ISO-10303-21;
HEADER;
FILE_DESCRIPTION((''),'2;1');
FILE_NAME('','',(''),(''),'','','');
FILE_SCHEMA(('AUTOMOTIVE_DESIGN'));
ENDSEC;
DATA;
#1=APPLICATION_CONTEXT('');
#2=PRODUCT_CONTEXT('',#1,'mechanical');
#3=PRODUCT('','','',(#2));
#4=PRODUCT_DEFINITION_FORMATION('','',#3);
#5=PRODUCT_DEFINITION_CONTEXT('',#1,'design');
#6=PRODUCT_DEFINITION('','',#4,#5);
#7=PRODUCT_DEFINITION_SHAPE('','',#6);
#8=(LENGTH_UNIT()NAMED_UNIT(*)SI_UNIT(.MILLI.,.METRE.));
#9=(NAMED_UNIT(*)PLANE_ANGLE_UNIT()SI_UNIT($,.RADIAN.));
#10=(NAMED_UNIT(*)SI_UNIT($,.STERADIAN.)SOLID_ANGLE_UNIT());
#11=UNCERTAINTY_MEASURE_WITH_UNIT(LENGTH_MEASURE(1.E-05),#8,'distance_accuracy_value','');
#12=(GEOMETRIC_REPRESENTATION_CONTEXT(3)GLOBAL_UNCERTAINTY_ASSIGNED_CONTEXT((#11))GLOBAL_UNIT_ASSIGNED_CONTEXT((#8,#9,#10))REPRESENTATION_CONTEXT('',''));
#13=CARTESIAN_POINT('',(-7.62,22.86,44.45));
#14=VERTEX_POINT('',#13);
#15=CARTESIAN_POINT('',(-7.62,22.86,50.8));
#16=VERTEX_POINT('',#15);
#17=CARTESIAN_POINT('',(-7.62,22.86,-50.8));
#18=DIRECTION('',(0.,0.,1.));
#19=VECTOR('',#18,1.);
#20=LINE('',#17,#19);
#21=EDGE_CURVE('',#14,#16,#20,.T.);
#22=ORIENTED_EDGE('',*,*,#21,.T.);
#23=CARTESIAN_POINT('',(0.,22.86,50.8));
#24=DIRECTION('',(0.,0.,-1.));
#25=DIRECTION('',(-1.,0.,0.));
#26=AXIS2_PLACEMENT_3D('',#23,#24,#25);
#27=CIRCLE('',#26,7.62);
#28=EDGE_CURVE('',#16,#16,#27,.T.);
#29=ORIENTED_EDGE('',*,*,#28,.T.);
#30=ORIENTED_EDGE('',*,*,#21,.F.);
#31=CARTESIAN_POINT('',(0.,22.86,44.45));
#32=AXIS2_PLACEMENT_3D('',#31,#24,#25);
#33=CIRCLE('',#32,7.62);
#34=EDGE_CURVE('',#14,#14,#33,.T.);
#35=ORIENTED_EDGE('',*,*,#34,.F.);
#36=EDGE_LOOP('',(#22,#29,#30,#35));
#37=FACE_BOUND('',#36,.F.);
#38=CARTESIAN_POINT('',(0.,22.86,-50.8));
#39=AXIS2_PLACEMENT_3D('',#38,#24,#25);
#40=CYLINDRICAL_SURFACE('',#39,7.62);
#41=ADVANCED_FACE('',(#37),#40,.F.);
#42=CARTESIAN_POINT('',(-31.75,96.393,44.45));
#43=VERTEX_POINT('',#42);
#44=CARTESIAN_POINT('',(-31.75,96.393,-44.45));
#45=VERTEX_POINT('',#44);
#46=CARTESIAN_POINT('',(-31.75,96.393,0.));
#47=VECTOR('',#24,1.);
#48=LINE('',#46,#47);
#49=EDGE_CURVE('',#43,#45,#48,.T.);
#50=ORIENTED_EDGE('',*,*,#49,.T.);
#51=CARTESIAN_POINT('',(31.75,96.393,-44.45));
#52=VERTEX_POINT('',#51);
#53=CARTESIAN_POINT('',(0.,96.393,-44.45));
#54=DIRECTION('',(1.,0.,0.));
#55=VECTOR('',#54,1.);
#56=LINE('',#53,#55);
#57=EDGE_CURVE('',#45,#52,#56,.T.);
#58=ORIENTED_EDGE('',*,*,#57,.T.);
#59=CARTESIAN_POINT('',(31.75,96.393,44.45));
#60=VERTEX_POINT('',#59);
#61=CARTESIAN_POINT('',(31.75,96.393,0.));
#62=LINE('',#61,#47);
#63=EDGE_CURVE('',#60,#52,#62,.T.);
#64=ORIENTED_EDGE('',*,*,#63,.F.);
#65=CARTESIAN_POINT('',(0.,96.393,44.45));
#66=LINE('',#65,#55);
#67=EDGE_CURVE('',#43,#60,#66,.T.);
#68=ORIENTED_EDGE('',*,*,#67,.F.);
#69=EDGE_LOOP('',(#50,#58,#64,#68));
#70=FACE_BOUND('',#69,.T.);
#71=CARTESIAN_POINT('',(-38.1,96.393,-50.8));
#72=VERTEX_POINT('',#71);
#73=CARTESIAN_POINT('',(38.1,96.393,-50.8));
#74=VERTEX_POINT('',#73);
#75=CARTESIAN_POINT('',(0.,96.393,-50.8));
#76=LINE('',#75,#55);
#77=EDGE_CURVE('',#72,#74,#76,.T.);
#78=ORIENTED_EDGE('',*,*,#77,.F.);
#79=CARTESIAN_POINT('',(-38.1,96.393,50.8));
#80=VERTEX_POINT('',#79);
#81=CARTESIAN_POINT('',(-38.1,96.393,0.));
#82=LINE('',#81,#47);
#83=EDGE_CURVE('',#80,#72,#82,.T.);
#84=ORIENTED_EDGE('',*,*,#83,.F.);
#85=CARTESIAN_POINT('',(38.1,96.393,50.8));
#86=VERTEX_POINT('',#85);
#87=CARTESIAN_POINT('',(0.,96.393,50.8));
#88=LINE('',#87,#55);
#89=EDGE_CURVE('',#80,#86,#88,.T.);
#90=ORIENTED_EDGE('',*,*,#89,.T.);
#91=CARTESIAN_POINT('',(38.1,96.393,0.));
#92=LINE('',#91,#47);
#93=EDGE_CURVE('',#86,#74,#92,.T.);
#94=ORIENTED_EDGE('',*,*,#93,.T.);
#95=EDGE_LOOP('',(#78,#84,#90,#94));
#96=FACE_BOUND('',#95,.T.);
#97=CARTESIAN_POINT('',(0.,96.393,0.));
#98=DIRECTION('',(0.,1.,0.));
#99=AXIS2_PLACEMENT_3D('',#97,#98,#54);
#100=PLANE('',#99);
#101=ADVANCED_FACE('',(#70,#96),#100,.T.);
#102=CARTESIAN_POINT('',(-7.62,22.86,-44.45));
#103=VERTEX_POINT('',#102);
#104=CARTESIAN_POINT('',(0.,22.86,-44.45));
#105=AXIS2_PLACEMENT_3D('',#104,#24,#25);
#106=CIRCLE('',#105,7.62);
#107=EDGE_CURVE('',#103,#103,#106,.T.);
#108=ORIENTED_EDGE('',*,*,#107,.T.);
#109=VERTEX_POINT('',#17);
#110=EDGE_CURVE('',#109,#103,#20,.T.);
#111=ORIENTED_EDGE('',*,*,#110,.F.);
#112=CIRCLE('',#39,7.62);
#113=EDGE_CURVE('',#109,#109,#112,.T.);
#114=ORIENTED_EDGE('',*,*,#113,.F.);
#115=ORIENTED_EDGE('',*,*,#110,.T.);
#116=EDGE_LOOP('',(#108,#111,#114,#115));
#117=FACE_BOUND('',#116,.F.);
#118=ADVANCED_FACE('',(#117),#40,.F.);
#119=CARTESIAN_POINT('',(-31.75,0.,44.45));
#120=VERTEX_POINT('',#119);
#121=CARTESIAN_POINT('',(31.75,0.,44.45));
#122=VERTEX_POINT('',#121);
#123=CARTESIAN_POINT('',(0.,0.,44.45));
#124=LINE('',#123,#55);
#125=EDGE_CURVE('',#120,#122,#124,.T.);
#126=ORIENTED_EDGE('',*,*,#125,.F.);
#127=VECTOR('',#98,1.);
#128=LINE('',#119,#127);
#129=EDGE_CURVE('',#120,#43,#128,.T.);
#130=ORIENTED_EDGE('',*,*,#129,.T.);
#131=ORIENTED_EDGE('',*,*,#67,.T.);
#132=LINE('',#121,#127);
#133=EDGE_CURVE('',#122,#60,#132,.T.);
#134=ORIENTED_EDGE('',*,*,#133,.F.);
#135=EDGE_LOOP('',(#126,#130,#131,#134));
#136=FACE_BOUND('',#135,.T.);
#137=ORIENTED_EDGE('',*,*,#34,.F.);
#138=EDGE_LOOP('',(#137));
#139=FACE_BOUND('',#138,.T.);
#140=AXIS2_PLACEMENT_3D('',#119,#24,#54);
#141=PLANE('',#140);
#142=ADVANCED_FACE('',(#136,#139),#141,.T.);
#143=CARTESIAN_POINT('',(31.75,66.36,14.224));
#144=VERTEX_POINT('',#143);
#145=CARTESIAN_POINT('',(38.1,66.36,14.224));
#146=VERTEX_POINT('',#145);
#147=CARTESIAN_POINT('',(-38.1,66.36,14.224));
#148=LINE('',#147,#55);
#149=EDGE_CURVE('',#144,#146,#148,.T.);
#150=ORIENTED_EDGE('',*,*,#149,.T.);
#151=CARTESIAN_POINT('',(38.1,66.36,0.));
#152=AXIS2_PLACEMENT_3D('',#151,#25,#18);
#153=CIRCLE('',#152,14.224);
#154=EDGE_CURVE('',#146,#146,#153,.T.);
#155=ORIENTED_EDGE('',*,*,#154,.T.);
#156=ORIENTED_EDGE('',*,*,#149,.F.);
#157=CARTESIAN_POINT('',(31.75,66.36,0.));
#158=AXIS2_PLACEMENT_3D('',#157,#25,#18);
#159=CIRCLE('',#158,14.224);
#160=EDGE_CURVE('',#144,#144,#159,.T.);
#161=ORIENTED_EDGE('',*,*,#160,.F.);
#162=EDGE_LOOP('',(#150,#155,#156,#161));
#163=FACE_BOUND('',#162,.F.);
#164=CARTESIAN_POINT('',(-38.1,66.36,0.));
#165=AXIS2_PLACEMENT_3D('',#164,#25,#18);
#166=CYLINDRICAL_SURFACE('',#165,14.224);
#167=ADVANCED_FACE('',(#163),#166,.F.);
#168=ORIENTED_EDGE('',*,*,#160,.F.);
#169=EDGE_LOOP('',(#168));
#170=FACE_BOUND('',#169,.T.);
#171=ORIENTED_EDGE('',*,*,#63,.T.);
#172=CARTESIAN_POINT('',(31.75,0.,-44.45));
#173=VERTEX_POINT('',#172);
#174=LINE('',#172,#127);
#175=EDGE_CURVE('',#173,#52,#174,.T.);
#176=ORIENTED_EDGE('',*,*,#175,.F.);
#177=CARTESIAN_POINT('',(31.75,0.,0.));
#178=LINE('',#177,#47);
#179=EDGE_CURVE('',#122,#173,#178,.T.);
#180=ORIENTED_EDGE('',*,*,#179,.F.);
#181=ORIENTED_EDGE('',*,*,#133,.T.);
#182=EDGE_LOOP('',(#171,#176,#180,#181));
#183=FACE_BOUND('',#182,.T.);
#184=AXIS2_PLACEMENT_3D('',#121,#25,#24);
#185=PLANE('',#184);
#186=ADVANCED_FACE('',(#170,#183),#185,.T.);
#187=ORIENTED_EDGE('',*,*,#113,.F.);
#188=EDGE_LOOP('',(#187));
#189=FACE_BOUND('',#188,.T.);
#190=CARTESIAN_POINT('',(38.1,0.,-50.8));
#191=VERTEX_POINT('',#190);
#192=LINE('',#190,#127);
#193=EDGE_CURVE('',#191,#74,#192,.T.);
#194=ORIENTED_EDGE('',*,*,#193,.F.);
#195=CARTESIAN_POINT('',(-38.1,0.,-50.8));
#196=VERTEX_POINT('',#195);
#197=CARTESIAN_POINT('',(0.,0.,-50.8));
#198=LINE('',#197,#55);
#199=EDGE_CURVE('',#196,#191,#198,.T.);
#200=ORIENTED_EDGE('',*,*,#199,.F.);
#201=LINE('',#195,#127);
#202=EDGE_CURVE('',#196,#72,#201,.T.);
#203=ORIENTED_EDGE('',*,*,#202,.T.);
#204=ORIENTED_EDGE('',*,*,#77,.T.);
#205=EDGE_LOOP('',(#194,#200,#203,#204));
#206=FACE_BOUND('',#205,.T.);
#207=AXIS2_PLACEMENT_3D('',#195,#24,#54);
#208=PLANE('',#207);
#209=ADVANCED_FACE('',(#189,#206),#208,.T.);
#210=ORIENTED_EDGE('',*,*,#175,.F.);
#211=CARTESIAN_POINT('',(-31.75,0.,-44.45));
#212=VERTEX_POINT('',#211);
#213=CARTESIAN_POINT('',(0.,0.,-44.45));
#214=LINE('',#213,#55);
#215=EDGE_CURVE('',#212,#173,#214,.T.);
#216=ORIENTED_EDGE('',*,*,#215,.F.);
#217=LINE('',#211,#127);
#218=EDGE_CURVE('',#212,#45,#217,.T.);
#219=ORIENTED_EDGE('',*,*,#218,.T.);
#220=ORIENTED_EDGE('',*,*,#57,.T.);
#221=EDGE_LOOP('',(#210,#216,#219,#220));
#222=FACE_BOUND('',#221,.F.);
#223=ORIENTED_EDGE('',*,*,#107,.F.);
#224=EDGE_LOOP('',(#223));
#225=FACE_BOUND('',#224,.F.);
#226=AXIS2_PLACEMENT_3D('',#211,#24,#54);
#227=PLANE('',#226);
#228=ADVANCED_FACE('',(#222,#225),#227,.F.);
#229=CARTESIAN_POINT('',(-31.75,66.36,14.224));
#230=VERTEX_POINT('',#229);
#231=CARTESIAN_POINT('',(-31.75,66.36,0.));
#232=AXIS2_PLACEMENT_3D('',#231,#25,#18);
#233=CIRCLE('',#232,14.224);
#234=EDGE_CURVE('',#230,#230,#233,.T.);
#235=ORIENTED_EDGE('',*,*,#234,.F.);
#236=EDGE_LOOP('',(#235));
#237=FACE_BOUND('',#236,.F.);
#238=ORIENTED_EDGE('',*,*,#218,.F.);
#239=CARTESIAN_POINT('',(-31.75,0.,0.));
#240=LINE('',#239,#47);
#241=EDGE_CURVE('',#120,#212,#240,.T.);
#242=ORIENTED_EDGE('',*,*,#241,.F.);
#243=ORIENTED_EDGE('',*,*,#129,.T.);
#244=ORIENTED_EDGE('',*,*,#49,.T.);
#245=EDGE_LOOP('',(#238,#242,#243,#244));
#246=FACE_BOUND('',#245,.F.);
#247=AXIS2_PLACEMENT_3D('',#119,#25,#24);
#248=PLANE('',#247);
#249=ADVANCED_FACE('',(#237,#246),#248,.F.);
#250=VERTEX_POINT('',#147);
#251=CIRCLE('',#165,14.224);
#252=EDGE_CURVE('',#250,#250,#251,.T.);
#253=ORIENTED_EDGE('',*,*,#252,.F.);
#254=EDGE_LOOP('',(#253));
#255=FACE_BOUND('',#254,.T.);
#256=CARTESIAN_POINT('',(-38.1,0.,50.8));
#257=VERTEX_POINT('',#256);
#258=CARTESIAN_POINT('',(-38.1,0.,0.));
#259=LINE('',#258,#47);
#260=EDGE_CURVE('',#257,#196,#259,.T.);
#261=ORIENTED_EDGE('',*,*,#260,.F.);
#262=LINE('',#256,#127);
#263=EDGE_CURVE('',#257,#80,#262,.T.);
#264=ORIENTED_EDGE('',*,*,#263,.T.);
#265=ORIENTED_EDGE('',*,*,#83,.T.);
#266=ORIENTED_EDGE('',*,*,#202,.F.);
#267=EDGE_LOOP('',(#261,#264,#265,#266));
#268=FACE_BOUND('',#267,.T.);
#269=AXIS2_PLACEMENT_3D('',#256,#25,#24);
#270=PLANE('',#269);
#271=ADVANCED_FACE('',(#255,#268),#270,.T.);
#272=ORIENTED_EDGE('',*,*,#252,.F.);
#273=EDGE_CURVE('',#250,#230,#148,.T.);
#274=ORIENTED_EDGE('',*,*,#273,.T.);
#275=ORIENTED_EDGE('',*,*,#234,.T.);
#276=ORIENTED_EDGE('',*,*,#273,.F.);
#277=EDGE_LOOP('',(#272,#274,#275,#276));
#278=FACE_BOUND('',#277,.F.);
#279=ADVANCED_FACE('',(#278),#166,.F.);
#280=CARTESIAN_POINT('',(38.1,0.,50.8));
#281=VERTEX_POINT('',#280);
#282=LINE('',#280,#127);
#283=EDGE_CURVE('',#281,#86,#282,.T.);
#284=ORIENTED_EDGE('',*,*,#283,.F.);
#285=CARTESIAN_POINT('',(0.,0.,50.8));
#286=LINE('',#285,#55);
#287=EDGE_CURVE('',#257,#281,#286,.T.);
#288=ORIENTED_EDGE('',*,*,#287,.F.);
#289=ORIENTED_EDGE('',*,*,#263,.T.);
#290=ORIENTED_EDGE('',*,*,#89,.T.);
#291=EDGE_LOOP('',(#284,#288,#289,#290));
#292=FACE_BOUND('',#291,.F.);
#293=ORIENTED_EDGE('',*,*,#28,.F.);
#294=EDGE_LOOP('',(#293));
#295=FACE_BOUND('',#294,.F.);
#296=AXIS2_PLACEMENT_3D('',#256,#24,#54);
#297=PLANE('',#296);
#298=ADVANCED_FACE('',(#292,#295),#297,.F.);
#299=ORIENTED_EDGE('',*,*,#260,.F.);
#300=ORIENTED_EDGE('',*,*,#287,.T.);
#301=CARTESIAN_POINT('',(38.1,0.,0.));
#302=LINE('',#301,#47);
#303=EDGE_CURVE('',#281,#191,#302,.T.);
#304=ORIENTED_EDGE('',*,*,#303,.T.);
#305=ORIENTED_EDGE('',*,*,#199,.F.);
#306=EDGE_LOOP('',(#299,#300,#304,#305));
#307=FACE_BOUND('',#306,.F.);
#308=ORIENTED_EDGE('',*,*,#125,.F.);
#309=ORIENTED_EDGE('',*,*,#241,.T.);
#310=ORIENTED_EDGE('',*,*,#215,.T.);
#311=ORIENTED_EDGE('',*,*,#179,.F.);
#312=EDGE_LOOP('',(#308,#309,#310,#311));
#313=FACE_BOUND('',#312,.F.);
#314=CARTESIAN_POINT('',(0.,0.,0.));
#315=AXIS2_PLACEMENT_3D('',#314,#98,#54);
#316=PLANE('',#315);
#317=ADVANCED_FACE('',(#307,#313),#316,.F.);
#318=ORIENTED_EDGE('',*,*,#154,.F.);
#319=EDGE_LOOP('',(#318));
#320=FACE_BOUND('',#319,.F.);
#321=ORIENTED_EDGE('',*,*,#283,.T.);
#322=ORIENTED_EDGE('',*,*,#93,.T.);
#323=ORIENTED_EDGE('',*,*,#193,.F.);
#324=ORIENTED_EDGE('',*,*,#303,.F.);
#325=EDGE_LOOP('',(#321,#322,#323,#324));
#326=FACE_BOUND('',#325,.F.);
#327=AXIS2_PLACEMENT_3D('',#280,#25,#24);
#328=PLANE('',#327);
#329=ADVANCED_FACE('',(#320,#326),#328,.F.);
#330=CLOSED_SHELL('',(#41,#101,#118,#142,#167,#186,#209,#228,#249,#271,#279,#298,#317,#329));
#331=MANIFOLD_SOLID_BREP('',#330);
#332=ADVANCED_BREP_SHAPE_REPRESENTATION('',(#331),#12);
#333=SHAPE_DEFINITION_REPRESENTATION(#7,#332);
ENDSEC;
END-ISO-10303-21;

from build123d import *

# Parameters (mm, degrees)
SKETCH2_W           = 76.2
SKETCH2_H           = 101.6
SKETCH2_W_2         = 63.5
SKETCH2_H_2         = 88.9
EXTRUDE_THIN1_DEPTH = 96.393
SKETCH3_R           = 7.62
CUT_EXTRUDE1_DEPTH  = 102.6
SKETCH4_R           = 14.224
CUT_EXTRUDE2_DEPTH  = 77.2


with BuildPart() as part:
    # Sketch2 → Extrude-Thin1 (new body)
    with BuildSketch(Plane(origin=(0, 0, 0), x_dir=(1, 0, 0), z_dir=(0, 1, 0))):
        Rectangle(SKETCH2_W, SKETCH2_H)
        Rectangle(SKETCH2_W_2, SKETCH2_H_2, mode=Mode.SUBTRACT)
    extrude(amount=EXTRUDE_THIN1_DEPTH)

    # Sketch3 → Cut-Extrude1 (cut, through all)
    with BuildSketch(Plane(origin=(0, 0, -50.8), x_dir=(-1, 0, 0), z_dir=(0, 0, -1))):
        with Locations((0, 22.86)):
            Circle(SKETCH3_R)
    extrude(amount=-CUT_EXTRUDE1_DEPTH, mode=Mode.SUBTRACT)

    # Sketch4 → Cut-Extrude2 (cut, through all)
    with BuildSketch(Plane.ZY.offset(38.1)):
        with Locations((0, 66.360000122)):
            Circle(SKETCH4_R)
    extrude(amount=-CUT_EXTRUDE2_DEPTH, mode=Mode.SUBTRACT)


solid = part.part
